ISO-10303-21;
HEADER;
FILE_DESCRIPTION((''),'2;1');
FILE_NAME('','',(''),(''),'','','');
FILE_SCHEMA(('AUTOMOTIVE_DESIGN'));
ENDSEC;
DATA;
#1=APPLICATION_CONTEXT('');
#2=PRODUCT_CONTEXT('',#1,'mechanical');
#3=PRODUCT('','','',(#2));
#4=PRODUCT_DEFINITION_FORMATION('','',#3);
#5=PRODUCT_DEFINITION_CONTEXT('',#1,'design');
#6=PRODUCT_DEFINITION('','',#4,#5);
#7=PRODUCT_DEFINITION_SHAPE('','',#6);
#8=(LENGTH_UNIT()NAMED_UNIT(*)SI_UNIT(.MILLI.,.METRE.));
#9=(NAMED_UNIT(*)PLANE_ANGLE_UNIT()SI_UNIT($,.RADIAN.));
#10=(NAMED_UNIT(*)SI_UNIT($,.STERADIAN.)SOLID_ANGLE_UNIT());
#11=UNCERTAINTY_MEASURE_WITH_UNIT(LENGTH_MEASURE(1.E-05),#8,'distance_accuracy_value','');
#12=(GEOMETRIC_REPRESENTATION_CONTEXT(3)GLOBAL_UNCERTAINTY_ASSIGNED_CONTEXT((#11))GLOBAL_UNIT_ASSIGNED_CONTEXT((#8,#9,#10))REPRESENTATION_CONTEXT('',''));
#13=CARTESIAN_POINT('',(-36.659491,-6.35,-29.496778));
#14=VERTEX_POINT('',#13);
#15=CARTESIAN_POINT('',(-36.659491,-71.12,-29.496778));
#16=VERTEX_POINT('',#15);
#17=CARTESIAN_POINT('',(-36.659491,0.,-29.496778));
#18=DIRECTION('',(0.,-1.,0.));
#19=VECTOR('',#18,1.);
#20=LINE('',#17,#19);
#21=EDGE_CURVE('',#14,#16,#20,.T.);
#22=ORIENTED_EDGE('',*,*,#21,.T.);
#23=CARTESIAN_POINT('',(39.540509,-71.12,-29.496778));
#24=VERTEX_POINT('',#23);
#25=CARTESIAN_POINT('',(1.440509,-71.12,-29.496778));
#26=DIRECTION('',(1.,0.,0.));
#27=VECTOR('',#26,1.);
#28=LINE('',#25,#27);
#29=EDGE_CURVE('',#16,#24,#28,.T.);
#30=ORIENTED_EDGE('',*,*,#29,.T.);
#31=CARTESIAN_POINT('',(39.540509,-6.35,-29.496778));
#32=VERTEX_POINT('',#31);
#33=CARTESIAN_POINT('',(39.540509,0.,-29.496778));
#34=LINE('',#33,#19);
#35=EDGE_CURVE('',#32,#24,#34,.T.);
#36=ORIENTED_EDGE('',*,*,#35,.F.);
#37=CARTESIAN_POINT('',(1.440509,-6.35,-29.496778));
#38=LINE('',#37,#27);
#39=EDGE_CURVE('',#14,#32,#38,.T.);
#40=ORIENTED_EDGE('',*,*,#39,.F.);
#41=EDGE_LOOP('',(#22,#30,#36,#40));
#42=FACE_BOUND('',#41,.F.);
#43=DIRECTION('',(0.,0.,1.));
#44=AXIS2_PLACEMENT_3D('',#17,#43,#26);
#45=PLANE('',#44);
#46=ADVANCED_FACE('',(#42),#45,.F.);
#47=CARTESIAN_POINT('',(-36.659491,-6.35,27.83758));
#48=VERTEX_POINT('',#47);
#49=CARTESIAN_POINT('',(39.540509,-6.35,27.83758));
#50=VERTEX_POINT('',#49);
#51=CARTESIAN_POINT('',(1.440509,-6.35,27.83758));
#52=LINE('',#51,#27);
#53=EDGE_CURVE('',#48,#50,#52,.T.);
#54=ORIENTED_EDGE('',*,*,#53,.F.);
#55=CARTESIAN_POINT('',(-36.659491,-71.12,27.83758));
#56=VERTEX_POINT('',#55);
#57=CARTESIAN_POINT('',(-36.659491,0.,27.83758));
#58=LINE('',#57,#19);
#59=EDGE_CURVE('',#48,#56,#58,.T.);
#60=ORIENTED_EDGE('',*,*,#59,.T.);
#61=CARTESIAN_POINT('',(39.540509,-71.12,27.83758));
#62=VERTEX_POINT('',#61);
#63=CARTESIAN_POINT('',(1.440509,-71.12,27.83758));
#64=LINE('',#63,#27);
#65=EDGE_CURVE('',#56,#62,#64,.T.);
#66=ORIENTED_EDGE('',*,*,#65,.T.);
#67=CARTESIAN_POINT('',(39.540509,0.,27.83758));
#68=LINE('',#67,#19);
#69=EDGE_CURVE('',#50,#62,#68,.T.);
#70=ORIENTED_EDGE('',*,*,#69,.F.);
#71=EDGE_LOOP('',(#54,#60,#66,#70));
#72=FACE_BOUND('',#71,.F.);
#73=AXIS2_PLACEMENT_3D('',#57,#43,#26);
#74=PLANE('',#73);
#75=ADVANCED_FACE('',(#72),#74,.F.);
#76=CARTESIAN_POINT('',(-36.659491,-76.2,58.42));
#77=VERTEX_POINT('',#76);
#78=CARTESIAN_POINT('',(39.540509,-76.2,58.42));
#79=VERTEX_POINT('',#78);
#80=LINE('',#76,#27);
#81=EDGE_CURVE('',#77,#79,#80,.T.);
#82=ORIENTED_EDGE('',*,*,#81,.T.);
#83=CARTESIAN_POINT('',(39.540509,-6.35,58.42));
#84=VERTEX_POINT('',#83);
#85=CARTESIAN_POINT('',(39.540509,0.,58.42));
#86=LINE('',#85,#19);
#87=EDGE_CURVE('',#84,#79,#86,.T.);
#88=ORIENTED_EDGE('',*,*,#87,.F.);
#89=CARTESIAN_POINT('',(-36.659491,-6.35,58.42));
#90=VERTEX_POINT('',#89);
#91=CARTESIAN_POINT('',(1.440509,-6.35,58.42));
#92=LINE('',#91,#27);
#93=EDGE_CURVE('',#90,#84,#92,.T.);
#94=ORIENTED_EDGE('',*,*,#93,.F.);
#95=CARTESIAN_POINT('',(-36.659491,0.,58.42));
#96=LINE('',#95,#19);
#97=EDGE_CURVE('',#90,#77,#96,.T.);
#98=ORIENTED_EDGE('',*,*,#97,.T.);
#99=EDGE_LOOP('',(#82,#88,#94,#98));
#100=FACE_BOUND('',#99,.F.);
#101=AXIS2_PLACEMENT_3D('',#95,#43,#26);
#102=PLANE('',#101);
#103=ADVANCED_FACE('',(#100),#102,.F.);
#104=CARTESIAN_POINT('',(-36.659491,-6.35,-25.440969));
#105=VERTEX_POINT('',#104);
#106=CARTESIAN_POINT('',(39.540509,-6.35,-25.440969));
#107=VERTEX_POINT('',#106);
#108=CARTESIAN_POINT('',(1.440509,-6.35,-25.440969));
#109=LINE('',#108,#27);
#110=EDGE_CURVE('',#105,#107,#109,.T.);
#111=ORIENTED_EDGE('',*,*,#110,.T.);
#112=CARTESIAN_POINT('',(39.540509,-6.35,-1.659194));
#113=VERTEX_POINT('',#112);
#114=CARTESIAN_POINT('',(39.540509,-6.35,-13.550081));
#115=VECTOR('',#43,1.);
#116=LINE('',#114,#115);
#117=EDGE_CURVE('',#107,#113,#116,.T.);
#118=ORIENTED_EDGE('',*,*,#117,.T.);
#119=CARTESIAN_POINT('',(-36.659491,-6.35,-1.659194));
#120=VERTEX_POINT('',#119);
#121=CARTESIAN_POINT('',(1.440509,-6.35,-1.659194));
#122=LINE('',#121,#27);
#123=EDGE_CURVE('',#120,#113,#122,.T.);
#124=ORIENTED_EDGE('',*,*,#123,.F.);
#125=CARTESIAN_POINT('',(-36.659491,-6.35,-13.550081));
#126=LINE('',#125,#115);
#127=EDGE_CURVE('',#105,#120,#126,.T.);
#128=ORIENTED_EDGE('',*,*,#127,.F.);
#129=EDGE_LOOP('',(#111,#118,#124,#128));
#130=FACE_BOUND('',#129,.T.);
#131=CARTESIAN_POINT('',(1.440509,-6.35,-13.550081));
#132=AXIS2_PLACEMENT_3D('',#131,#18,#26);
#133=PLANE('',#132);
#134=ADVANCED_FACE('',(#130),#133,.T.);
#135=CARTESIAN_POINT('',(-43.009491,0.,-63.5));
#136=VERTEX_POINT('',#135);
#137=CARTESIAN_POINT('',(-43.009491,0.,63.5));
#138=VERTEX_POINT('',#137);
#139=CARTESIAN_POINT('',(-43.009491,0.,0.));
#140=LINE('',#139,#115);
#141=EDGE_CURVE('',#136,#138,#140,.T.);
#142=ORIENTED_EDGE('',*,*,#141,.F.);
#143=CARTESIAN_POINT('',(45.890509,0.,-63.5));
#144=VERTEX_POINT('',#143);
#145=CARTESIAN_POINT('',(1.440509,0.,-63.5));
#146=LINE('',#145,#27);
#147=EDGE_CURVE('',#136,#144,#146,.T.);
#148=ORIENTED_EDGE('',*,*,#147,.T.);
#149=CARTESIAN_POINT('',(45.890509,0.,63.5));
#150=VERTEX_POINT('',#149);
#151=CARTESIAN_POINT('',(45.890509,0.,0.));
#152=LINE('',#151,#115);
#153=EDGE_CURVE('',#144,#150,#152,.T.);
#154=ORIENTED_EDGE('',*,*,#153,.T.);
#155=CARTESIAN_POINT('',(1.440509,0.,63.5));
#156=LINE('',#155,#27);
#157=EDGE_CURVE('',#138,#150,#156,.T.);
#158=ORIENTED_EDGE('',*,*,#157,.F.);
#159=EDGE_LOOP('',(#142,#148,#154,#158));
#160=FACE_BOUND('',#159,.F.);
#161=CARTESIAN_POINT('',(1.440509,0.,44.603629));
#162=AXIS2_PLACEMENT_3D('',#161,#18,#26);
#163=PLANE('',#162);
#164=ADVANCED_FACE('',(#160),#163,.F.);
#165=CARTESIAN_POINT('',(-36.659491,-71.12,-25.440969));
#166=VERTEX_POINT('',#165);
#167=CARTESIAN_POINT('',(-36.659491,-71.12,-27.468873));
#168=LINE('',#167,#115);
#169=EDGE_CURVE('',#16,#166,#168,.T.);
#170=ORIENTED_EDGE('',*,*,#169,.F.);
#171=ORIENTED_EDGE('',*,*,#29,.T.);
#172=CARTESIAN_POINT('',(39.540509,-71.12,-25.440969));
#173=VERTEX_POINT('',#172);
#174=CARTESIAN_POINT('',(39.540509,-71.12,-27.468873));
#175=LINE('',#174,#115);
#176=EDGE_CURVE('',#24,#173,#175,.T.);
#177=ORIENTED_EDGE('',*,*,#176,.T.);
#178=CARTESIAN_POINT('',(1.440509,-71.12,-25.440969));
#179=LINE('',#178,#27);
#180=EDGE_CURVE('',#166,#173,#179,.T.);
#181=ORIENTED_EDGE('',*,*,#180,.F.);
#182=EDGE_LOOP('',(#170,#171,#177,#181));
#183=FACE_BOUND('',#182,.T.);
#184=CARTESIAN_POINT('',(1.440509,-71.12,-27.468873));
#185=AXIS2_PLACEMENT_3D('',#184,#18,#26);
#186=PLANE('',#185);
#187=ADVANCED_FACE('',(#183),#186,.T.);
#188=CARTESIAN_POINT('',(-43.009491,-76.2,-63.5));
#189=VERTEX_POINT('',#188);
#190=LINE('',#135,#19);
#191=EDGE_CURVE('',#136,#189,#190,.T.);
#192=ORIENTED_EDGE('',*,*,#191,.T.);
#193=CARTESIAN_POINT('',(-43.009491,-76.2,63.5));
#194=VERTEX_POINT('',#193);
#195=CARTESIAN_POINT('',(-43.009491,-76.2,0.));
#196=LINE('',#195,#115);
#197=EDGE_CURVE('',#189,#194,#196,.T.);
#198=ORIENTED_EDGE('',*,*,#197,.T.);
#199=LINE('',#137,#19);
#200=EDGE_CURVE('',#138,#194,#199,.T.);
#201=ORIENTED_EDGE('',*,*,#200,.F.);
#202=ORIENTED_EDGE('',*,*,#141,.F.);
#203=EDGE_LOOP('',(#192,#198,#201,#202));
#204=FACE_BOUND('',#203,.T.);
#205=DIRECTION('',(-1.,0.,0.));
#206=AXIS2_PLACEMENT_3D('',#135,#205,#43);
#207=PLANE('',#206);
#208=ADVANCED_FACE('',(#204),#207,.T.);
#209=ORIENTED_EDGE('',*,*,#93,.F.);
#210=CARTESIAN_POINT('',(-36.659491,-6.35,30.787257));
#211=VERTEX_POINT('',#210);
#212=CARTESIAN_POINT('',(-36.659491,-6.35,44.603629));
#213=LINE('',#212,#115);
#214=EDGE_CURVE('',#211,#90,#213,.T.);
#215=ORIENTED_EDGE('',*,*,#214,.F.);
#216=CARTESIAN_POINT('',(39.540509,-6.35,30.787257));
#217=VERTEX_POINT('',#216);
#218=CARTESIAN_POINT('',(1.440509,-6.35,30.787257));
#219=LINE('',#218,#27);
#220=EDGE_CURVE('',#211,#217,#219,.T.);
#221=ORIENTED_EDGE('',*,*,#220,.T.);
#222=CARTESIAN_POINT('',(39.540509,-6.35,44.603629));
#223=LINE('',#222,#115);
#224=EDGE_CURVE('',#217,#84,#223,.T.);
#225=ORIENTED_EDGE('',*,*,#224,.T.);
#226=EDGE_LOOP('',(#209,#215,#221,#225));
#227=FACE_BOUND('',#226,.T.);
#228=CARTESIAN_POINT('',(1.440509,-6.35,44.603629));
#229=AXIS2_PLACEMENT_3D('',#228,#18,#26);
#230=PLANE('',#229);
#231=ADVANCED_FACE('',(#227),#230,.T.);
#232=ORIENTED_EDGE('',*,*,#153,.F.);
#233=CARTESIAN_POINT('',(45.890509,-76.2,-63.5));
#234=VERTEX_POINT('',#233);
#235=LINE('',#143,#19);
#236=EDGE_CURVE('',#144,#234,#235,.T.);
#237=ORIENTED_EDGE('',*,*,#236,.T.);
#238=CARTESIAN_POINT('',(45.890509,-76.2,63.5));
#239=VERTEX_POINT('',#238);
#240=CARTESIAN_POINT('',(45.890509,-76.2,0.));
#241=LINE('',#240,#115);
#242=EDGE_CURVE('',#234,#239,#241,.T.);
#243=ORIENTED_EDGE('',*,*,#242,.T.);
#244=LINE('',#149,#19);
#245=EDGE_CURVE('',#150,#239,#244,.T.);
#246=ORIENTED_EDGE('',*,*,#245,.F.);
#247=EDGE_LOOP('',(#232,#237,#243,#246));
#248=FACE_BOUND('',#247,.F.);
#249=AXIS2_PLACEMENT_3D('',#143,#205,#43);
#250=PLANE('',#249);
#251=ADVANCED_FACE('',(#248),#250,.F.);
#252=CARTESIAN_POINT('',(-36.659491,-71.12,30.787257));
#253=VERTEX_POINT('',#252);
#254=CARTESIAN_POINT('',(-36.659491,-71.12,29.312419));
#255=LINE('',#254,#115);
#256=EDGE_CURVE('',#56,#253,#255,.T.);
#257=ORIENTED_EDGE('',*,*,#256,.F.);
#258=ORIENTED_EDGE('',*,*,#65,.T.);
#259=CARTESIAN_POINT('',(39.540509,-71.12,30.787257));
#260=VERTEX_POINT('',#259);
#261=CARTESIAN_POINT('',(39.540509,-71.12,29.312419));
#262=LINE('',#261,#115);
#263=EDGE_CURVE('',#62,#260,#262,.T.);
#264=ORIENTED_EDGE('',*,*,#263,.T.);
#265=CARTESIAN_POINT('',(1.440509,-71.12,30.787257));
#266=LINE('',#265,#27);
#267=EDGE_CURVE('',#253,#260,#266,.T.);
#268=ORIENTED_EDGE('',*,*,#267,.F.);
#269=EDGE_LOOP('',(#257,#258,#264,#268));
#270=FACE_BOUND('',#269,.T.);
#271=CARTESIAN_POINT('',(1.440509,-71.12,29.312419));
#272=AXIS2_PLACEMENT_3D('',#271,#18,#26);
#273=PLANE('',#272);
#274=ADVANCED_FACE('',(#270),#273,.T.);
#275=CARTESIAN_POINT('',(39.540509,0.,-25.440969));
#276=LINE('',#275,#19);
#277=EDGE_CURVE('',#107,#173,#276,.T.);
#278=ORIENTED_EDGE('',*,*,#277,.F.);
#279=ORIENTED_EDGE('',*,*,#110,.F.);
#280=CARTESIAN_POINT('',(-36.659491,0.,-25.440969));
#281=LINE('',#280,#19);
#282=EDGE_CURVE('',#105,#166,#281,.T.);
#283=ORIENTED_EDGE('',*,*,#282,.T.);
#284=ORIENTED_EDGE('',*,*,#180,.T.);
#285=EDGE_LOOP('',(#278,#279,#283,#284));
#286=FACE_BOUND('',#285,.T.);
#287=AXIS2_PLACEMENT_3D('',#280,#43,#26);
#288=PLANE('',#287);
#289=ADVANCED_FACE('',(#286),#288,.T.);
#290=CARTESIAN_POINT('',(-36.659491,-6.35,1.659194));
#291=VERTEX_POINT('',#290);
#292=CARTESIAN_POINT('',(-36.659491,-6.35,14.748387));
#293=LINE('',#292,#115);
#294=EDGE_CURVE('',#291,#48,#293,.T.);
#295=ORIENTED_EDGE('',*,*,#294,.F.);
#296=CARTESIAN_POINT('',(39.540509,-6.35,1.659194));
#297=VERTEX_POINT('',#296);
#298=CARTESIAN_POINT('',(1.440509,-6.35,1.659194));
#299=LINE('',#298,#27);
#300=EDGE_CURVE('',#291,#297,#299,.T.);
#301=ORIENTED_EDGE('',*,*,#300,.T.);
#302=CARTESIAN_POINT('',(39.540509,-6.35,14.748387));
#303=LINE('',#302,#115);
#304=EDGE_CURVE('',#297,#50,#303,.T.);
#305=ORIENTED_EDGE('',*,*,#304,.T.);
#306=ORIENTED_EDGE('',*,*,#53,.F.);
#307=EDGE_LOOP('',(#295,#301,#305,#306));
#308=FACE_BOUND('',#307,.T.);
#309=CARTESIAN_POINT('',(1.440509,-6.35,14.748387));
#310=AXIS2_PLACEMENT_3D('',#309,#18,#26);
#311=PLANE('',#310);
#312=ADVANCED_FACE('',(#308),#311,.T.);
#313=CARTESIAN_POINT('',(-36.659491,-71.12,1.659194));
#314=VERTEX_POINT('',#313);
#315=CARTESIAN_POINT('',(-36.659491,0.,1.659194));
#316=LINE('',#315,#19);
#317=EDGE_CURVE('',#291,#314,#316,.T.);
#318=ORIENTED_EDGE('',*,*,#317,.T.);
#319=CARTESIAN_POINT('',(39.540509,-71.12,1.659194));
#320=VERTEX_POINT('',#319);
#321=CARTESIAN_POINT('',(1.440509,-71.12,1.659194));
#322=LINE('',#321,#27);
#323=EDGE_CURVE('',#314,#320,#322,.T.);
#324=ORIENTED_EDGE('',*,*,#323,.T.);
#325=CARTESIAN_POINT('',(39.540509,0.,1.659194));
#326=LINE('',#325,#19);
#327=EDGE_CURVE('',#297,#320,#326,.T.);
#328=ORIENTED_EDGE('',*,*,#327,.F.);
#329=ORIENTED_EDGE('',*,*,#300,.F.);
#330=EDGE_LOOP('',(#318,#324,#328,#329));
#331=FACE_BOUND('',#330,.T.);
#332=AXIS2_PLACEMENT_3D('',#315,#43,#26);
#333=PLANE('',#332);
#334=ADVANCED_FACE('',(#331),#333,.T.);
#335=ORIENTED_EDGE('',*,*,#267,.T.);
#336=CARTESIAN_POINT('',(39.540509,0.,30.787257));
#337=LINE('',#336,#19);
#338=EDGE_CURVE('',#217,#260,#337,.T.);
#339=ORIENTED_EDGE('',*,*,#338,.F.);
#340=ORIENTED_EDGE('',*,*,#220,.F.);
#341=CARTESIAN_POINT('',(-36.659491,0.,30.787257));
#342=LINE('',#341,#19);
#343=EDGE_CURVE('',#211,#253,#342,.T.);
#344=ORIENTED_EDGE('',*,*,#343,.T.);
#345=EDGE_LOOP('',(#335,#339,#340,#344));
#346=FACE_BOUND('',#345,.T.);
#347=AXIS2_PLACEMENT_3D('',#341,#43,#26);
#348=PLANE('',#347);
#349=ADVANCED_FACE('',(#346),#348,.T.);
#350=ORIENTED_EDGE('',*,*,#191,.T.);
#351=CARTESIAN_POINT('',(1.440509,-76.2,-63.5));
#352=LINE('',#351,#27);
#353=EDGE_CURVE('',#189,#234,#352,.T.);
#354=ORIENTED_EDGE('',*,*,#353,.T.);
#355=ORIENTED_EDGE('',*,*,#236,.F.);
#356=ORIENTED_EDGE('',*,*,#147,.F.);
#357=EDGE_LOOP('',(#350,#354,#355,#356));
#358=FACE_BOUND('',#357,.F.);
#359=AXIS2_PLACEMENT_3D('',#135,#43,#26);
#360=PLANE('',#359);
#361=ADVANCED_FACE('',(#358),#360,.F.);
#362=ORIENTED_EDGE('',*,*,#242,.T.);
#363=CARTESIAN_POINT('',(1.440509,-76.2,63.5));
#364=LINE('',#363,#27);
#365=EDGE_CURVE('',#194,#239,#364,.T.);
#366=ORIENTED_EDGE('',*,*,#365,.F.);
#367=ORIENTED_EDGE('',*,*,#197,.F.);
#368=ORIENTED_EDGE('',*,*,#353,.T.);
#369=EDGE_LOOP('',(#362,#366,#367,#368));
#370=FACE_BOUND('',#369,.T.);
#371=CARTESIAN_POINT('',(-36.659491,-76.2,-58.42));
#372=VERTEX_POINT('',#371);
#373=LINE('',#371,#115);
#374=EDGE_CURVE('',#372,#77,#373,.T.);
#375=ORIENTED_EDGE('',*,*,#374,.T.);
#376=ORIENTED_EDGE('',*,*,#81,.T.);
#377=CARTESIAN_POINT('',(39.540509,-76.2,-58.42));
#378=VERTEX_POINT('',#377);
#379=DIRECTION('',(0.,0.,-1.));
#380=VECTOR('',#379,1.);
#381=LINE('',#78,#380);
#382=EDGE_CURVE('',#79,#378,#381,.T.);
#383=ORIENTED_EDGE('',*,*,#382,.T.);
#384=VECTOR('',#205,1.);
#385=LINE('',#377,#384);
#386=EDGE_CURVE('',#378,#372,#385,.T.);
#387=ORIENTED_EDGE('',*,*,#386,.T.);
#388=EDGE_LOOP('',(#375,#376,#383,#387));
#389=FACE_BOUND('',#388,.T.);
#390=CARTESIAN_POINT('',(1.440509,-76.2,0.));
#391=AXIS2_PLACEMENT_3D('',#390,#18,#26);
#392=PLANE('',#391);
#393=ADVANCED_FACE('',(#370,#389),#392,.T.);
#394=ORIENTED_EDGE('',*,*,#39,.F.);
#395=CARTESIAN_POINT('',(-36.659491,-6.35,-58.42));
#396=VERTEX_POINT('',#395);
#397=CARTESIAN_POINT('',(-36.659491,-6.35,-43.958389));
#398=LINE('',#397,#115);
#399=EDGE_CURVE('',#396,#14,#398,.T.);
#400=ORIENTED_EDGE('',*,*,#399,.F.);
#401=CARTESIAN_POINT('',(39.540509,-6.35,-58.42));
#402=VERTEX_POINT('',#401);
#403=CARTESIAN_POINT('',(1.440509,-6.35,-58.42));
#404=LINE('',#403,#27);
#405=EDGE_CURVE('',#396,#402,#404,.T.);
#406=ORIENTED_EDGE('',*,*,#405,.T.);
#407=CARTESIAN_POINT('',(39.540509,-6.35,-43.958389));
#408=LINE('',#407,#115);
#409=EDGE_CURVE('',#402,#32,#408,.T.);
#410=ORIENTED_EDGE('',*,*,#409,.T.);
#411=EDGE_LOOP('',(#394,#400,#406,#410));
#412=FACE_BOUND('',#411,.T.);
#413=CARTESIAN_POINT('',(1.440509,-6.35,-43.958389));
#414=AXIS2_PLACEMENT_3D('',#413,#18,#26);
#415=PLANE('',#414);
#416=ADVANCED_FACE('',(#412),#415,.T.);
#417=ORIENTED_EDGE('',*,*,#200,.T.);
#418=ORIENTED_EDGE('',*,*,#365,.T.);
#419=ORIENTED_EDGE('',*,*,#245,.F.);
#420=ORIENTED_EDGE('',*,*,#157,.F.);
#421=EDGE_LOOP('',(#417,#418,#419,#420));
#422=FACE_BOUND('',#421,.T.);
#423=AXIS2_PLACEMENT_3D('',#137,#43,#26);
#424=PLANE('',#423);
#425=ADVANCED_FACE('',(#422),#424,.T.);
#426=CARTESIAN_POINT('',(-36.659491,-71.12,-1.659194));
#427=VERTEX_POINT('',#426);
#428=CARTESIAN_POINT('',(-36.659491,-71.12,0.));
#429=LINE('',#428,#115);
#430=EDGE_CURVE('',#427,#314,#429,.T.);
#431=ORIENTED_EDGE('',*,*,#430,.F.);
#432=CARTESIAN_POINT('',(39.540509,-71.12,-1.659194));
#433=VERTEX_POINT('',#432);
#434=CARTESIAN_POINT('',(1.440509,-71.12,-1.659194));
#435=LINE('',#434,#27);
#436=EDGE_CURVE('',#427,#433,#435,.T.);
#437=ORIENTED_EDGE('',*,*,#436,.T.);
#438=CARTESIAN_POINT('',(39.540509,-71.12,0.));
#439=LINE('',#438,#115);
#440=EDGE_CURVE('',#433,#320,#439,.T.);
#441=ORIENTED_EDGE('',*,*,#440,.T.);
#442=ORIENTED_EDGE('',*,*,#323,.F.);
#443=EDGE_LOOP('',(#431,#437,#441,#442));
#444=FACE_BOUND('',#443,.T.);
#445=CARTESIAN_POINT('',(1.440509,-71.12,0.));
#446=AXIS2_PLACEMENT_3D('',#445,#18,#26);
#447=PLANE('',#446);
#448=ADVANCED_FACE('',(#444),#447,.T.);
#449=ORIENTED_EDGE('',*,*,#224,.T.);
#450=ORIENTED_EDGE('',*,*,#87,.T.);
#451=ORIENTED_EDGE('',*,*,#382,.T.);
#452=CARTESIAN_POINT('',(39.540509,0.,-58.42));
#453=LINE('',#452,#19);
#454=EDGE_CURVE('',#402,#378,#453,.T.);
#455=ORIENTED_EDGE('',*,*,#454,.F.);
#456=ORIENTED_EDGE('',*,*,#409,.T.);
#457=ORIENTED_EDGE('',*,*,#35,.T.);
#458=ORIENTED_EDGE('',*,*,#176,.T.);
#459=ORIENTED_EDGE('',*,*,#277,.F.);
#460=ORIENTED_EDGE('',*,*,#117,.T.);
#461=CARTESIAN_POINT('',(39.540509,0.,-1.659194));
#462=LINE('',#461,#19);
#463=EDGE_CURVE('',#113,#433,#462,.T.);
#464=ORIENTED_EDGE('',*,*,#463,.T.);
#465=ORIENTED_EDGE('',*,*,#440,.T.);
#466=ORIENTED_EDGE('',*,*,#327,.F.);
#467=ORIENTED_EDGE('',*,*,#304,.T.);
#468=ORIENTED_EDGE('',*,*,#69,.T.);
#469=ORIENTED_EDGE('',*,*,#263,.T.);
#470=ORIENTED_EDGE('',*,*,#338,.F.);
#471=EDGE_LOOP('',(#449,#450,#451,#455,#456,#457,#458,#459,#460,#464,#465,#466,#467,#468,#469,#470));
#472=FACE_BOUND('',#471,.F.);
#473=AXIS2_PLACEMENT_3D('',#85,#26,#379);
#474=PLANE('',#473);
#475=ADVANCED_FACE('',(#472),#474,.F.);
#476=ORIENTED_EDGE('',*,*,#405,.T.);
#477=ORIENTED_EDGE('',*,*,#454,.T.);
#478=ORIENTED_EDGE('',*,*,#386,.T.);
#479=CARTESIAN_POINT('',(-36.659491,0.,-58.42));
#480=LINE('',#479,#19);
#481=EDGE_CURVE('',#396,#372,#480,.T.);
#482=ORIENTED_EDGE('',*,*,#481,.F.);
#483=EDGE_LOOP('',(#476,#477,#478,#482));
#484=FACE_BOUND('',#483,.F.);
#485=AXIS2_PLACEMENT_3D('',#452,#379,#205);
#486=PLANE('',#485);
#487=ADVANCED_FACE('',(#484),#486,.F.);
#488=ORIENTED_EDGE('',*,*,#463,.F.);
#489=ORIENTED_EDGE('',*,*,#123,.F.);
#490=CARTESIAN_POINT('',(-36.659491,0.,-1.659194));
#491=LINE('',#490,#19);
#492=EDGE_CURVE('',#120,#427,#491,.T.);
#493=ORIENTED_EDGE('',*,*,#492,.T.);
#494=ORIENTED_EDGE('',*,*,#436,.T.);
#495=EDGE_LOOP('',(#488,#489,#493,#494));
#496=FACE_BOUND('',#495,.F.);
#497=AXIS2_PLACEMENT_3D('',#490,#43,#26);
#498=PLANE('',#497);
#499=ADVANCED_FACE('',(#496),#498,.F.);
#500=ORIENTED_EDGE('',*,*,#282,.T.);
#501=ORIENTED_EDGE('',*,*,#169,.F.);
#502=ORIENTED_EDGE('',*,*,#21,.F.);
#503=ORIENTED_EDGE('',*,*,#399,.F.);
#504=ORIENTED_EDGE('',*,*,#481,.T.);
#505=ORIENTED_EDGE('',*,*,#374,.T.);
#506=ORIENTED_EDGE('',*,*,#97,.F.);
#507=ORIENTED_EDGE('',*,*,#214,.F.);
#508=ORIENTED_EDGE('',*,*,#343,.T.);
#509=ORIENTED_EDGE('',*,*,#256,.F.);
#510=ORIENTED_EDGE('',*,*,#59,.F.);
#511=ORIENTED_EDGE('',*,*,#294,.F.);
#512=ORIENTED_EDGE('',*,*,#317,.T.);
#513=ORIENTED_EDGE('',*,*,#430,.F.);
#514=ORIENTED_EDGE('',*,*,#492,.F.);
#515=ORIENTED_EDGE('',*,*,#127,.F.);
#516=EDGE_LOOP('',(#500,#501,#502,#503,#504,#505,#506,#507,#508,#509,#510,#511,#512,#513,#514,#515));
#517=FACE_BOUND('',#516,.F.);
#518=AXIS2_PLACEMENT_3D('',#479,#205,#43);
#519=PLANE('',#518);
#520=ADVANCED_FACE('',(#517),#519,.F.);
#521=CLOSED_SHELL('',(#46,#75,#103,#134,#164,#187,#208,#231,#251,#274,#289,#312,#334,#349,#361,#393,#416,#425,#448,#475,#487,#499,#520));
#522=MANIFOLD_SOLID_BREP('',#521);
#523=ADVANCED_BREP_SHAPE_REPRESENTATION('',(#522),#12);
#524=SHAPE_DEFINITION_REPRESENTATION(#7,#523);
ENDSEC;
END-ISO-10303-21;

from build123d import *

# Parameters (mm, degrees)
F0_W     = 88.9
F0_H     = 127
F1_DEPTH = 76.2
F0_W_2   = 76.2
F0_H_2   = 4.0558092296
F0_H_3   = 3.3183873165
F0_H_4   = 2.9496774077
F2_DEPTH = 71.12
F0_H_5   = 27.6327425224
F0_H_6   = 26.1783864116
F0_H_7   = 23.7817749148
F0_H_8   = 28.9232221973
F3_DEPTH = 6.35


with BuildPart() as f1:
    # F0 (on Front) → F1 (new body)
    with BuildSketch(Plane.XZ):
        with Locations((1.440508941, 0)):
            Rectangle(F0_W, F0_H)
        Polygon((-36.659491059, 58.42), (39.540508941, 58.42), (39.540508941, 30.7872574776), (39.540508941, 27.8375800699), (39.540508941, 1.6591936583), (39.540508941, -1.6591936583), (39.540508941, -25.4409685731), (39.540508941, -29.4967778027), (39.540508941, -58.42), (-36.659491059, -58.42), (-36.659491059, -29.4967778027), (-36.659491059, -25.4409685731), (-36.659491059, -1.6591936583), (-36.659491059, 1.6591936583), (-36.659491059, 27.8375800699), (-36.659491059, 30.7872574776), align=None, mode=Mode.SUBTRACT)
    extrude(amount=F1_DEPTH)

    # F0 (on Front) → F2 (join)
    with BuildSketch(Plane.XZ):
        with Locations((1.440508941, -27.4688731879)):
            Rectangle(F0_W_2, F0_H_2)
        with Locations((1.440508941, 0)):
            Rectangle(F0_W_2, F0_H_3)
        with Locations((1.440508941, 29.3124187738)):
            Rectangle(F0_W_2, F0_H_4)
    extrude(amount=F2_DEPTH)

    # F0 (on Front) → F3 (join)
    with BuildSketch(Plane.XZ):
        with Locations((1.440508941, 44.6036287388)):
            Rectangle(F0_W_2, F0_H_5)
        with Locations((1.440508941, 14.7483868641)):
            Rectangle(F0_W_2, F0_H_6)
        with Locations((1.440508941, -13.5500811157)):
            Rectangle(F0_W_2, F0_H_7)
        with Locations((1.440508941, -43.9583889014)):
            Rectangle(F0_W_2, F0_H_8)
    extrude(amount=F3_DEPTH)


solid = f1.part
